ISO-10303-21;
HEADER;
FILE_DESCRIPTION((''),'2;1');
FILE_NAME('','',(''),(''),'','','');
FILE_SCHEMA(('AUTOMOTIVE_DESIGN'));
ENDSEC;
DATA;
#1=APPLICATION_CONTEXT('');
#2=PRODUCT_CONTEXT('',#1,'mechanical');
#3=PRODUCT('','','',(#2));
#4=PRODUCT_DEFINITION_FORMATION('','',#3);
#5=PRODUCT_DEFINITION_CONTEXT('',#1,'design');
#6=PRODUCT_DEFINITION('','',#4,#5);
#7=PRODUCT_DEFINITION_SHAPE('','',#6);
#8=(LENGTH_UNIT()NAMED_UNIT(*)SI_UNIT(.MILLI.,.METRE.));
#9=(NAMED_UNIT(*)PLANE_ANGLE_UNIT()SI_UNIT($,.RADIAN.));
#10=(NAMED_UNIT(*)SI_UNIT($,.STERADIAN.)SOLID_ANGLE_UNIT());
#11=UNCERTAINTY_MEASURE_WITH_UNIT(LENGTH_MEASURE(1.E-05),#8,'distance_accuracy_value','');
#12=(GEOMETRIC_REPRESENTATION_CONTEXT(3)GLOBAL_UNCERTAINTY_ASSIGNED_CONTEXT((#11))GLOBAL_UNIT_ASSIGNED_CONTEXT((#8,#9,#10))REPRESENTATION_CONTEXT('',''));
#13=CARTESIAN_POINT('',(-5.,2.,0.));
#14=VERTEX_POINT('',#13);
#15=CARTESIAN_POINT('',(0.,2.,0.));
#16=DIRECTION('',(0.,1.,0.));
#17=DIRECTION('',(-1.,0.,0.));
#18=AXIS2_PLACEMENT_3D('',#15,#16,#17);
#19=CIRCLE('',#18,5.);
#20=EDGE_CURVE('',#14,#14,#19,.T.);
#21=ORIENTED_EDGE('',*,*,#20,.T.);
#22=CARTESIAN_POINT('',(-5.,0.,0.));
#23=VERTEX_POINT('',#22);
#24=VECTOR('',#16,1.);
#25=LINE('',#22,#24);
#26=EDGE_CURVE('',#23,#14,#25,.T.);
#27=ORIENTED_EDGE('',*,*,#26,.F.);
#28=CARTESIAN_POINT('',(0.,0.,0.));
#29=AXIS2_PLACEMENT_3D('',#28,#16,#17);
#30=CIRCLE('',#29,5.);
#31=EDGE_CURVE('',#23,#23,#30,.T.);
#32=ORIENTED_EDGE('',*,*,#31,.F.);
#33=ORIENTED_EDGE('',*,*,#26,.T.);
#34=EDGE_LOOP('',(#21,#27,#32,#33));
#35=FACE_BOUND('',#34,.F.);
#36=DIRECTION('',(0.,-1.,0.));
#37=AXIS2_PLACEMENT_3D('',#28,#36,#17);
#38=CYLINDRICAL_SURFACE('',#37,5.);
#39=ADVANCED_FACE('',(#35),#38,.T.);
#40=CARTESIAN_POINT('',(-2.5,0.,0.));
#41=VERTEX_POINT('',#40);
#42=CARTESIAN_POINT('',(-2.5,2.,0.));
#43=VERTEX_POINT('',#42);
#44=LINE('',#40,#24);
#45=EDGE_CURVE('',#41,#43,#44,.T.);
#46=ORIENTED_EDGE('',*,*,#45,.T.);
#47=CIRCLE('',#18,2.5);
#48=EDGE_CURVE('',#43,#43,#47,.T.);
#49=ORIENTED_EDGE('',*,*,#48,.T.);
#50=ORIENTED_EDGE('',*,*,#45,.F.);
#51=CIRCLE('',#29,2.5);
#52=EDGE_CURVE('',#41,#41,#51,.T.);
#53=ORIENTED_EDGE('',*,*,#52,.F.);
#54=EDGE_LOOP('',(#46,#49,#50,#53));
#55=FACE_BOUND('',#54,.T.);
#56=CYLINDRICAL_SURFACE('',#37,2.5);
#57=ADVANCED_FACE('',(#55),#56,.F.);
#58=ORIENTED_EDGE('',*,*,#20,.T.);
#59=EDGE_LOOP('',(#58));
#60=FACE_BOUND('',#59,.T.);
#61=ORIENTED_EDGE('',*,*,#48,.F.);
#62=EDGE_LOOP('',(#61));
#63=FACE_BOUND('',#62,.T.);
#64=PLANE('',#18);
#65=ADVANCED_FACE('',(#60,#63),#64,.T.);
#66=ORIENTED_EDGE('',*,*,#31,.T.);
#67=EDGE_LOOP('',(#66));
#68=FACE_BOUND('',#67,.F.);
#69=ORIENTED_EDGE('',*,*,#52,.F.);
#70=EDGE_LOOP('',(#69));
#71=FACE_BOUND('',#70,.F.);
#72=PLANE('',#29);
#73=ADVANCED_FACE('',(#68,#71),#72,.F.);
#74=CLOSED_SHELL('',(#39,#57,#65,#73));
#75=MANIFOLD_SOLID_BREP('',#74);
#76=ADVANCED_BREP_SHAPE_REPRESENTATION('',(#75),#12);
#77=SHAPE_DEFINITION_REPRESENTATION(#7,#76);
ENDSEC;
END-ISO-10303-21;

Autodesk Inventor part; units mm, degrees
ref_plane "YZ Plane" through (0, 0, 0) normal (1, 0, 0) x (0, 1, 0)
ref_plane "XZ Plane" through (0, 0, 0) normal (0, 1, 0) x (-1, 0, 0)
ref_plane "XY Plane" through (0, 0, 0) normal (0, 0, 1) x (1, 0, 0)
sketch "Sketch1" plane through (0, 0, 0) normal (0, 1, 0) x (-1, 0, 0)
  circle A0 centre (0, 0) radius 5
  circle A1 centre (0, 0) radius 2.5
  dimension "d0" = 10
  dimension "d1" = 5
extrude "Extrusion1" add sketch "Sketch1" along normal blind 2
properties part number "base_v1"
